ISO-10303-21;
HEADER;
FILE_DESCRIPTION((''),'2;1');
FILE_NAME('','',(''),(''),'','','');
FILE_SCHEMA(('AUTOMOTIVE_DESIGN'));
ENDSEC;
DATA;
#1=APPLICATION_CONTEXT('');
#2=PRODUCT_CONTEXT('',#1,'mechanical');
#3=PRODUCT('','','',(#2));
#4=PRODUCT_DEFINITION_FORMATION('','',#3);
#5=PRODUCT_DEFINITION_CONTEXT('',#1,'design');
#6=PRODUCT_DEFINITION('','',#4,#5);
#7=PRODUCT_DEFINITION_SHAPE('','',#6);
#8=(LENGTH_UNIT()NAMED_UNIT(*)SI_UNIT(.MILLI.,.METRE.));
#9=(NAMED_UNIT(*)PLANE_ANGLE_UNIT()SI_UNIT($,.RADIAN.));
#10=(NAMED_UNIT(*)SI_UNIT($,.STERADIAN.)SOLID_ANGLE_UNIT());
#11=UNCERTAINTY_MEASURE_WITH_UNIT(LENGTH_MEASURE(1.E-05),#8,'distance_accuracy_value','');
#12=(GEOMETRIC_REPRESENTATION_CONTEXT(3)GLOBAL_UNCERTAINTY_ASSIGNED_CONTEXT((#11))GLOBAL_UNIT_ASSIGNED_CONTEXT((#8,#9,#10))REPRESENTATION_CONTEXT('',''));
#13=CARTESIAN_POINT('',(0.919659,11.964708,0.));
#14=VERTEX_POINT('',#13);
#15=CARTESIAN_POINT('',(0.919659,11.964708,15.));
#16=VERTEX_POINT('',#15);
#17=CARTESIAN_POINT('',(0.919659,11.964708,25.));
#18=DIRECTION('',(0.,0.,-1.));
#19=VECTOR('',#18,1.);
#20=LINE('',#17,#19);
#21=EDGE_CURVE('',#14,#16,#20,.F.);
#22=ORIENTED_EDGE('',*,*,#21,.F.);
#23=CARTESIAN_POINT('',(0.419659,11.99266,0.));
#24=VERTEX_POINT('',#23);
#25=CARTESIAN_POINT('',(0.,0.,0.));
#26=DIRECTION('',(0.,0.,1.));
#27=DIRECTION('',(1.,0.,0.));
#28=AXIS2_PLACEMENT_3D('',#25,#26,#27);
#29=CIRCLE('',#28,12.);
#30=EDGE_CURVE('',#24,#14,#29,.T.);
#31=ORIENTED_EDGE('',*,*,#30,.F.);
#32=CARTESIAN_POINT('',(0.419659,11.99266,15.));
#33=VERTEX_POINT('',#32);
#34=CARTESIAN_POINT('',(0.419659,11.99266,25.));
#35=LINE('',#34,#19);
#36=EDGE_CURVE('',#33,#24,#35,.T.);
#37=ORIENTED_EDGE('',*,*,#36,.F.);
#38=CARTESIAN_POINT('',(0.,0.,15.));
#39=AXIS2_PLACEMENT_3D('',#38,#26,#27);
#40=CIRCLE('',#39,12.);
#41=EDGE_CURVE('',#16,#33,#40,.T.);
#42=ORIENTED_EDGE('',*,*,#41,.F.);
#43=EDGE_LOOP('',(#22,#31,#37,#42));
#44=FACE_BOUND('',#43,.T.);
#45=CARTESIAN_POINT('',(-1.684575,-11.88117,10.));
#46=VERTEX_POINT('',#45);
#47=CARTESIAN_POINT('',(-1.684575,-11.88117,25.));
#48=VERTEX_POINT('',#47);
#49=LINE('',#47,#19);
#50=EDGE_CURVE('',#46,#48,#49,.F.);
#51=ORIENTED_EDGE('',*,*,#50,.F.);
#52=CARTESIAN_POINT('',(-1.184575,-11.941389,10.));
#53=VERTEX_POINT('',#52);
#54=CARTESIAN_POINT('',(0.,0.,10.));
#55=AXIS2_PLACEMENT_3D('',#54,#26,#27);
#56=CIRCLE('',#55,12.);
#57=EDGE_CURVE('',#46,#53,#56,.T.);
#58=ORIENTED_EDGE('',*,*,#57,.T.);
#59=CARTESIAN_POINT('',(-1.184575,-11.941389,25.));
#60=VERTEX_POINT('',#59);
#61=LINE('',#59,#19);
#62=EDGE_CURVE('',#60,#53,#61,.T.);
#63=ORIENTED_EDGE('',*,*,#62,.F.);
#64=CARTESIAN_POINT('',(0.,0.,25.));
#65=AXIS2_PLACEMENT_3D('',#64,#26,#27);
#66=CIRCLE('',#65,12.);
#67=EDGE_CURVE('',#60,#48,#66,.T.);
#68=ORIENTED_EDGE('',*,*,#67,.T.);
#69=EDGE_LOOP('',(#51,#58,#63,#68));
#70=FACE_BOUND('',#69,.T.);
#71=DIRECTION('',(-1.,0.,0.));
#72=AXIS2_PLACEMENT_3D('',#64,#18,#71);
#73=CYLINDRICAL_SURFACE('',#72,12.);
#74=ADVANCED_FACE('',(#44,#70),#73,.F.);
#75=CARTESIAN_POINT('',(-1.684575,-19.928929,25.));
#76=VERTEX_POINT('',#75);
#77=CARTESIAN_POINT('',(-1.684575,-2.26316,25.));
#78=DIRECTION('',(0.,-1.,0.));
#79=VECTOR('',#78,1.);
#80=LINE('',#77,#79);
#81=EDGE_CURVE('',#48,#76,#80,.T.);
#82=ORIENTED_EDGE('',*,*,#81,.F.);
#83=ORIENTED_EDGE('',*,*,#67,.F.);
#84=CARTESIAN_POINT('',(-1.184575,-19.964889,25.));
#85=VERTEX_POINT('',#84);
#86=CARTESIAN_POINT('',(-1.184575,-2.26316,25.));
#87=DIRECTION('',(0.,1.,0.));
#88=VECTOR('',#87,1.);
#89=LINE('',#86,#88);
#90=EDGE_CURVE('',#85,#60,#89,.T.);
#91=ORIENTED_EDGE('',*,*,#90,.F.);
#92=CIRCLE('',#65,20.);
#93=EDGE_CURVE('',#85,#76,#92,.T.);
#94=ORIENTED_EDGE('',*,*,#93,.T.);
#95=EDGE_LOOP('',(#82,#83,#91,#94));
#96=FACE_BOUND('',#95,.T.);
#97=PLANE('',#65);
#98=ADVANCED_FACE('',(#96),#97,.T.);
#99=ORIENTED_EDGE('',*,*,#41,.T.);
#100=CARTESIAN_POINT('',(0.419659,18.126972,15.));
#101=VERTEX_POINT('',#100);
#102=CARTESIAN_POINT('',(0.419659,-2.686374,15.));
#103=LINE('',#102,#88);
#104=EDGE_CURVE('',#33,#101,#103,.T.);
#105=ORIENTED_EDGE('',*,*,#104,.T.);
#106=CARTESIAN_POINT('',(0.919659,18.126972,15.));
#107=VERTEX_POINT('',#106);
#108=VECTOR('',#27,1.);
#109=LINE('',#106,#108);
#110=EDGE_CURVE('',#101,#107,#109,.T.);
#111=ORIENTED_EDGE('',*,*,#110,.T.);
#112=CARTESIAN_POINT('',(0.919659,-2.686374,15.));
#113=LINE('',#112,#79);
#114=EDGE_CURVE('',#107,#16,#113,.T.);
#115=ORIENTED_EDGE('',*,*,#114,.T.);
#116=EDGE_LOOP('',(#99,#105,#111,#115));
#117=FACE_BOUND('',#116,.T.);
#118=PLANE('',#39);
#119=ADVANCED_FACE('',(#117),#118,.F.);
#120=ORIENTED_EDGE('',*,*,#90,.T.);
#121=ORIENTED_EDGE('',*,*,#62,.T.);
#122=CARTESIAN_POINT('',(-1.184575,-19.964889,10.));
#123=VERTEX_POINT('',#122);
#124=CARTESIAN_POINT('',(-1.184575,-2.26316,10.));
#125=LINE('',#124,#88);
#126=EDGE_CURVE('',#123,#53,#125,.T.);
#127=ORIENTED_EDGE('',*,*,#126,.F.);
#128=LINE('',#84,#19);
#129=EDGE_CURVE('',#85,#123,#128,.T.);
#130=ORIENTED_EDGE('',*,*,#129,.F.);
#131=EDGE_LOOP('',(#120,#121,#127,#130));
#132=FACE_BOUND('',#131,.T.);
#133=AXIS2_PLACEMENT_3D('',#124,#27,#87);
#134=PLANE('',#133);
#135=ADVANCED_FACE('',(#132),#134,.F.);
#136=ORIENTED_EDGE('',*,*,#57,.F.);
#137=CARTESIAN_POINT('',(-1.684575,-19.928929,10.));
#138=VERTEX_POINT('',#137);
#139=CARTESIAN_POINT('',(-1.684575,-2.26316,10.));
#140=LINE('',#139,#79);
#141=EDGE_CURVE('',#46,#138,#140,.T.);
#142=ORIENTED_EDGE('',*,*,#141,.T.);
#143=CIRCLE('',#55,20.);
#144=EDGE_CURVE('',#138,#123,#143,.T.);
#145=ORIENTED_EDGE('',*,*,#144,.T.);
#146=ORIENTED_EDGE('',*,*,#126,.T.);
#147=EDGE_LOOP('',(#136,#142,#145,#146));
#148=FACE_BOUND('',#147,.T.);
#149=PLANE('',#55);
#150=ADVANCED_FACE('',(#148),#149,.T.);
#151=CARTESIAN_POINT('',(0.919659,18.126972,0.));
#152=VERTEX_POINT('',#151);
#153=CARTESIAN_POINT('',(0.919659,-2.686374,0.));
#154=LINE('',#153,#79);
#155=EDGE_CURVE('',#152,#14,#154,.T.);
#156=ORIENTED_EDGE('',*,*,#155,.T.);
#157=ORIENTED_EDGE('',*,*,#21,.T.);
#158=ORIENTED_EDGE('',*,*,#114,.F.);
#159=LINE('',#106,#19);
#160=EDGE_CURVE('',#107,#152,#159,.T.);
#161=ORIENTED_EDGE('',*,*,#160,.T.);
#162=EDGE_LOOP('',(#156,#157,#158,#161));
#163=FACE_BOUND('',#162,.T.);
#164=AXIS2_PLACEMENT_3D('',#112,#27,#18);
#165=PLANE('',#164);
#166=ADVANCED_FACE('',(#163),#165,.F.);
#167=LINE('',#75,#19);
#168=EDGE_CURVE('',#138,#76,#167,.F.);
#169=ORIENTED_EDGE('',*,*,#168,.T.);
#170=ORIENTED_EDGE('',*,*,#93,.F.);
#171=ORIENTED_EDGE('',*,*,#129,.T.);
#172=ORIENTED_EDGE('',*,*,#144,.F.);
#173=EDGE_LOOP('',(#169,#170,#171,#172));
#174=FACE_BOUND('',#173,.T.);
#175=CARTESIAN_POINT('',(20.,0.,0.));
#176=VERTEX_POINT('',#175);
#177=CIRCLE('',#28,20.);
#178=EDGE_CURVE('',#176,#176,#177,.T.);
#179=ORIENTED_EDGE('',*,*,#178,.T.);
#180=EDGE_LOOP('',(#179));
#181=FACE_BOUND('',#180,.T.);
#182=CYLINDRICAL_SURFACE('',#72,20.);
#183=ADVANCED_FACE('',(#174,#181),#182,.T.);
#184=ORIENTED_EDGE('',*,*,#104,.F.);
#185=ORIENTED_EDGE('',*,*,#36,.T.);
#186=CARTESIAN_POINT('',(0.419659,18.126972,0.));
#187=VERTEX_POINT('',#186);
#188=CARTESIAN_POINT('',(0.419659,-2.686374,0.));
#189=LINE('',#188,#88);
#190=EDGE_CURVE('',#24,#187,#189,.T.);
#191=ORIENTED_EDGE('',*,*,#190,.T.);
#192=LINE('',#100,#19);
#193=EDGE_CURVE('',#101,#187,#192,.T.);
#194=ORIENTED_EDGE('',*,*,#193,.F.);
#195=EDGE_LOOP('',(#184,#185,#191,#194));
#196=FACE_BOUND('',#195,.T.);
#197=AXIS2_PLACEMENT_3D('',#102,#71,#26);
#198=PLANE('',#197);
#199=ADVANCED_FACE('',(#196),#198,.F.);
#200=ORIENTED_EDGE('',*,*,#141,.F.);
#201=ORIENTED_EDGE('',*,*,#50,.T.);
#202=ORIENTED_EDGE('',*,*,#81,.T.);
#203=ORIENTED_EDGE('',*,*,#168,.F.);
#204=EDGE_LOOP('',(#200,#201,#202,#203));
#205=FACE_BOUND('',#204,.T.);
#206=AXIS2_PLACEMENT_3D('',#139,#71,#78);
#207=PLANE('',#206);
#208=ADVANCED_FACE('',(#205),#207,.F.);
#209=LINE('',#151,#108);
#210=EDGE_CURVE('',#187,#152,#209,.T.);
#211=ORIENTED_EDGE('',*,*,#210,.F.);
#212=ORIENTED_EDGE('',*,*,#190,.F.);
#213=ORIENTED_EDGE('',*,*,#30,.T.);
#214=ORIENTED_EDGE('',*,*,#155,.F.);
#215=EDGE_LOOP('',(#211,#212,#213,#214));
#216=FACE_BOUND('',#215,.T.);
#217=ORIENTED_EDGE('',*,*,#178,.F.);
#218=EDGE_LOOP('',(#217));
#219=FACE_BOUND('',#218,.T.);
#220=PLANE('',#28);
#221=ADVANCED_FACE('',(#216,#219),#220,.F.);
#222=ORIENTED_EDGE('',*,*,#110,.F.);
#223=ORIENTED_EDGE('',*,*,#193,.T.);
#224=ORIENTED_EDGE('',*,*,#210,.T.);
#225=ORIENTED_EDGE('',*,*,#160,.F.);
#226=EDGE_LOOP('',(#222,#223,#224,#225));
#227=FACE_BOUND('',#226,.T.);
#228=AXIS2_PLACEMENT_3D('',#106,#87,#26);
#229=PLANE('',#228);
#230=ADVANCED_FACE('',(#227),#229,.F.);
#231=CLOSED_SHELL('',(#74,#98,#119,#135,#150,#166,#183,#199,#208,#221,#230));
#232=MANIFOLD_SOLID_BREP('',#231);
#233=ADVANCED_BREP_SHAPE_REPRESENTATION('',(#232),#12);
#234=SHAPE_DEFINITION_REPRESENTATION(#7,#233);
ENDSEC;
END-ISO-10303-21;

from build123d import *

# Parameters (mm, degrees)
SKETCH_1_R          = 20
SKETCH_1_R_2        = 12
EXTRUDE_1_DEPTH     = 25
SKETCH_2_W          = 0.5
SKETCH_2_H          = 19.301562603
CUT_EXTRUDE_1_DEPTH = 15
SKETCH_3_W          = 0.5
SKETCH_3_H          = 20.813345434
CUT_EXTRUDE_2_DEPTH = 15


with BuildPart() as part:
    # 草图1 → 凸台-拉伸1 (new body)
    with BuildSketch(Plane.XY):
        Circle(SKETCH_1_R)
        Circle(SKETCH_1_R_2, mode=Mode.SUBTRACT)
    extrude(amount=EXTRUDE_1_DEPTH)

    # 草图2 → 切除-拉伸1 (cut)
    with BuildSketch(Plane.XY.offset(25)):
        with Locations((-1.434574757, -11.913941214)):
            Rectangle(SKETCH_2_W, SKETCH_2_H)
    extrude(amount=-CUT_EXTRUDE_1_DEPTH, mode=Mode.SUBTRACT)

    # 草图3 → 切除-拉伸2 (cut)
    with BuildSketch(Plane(origin=(0, 0, 0), x_dir=(-1, 0, 0), z_dir=(0, 0, -1))):
        with Locations((-0.669659449, 7.720299062)):
            Rectangle(SKETCH_3_W, SKETCH_3_H)
    extrude(amount=-CUT_EXTRUDE_2_DEPTH, mode=Mode.SUBTRACT)


solid = part.part
